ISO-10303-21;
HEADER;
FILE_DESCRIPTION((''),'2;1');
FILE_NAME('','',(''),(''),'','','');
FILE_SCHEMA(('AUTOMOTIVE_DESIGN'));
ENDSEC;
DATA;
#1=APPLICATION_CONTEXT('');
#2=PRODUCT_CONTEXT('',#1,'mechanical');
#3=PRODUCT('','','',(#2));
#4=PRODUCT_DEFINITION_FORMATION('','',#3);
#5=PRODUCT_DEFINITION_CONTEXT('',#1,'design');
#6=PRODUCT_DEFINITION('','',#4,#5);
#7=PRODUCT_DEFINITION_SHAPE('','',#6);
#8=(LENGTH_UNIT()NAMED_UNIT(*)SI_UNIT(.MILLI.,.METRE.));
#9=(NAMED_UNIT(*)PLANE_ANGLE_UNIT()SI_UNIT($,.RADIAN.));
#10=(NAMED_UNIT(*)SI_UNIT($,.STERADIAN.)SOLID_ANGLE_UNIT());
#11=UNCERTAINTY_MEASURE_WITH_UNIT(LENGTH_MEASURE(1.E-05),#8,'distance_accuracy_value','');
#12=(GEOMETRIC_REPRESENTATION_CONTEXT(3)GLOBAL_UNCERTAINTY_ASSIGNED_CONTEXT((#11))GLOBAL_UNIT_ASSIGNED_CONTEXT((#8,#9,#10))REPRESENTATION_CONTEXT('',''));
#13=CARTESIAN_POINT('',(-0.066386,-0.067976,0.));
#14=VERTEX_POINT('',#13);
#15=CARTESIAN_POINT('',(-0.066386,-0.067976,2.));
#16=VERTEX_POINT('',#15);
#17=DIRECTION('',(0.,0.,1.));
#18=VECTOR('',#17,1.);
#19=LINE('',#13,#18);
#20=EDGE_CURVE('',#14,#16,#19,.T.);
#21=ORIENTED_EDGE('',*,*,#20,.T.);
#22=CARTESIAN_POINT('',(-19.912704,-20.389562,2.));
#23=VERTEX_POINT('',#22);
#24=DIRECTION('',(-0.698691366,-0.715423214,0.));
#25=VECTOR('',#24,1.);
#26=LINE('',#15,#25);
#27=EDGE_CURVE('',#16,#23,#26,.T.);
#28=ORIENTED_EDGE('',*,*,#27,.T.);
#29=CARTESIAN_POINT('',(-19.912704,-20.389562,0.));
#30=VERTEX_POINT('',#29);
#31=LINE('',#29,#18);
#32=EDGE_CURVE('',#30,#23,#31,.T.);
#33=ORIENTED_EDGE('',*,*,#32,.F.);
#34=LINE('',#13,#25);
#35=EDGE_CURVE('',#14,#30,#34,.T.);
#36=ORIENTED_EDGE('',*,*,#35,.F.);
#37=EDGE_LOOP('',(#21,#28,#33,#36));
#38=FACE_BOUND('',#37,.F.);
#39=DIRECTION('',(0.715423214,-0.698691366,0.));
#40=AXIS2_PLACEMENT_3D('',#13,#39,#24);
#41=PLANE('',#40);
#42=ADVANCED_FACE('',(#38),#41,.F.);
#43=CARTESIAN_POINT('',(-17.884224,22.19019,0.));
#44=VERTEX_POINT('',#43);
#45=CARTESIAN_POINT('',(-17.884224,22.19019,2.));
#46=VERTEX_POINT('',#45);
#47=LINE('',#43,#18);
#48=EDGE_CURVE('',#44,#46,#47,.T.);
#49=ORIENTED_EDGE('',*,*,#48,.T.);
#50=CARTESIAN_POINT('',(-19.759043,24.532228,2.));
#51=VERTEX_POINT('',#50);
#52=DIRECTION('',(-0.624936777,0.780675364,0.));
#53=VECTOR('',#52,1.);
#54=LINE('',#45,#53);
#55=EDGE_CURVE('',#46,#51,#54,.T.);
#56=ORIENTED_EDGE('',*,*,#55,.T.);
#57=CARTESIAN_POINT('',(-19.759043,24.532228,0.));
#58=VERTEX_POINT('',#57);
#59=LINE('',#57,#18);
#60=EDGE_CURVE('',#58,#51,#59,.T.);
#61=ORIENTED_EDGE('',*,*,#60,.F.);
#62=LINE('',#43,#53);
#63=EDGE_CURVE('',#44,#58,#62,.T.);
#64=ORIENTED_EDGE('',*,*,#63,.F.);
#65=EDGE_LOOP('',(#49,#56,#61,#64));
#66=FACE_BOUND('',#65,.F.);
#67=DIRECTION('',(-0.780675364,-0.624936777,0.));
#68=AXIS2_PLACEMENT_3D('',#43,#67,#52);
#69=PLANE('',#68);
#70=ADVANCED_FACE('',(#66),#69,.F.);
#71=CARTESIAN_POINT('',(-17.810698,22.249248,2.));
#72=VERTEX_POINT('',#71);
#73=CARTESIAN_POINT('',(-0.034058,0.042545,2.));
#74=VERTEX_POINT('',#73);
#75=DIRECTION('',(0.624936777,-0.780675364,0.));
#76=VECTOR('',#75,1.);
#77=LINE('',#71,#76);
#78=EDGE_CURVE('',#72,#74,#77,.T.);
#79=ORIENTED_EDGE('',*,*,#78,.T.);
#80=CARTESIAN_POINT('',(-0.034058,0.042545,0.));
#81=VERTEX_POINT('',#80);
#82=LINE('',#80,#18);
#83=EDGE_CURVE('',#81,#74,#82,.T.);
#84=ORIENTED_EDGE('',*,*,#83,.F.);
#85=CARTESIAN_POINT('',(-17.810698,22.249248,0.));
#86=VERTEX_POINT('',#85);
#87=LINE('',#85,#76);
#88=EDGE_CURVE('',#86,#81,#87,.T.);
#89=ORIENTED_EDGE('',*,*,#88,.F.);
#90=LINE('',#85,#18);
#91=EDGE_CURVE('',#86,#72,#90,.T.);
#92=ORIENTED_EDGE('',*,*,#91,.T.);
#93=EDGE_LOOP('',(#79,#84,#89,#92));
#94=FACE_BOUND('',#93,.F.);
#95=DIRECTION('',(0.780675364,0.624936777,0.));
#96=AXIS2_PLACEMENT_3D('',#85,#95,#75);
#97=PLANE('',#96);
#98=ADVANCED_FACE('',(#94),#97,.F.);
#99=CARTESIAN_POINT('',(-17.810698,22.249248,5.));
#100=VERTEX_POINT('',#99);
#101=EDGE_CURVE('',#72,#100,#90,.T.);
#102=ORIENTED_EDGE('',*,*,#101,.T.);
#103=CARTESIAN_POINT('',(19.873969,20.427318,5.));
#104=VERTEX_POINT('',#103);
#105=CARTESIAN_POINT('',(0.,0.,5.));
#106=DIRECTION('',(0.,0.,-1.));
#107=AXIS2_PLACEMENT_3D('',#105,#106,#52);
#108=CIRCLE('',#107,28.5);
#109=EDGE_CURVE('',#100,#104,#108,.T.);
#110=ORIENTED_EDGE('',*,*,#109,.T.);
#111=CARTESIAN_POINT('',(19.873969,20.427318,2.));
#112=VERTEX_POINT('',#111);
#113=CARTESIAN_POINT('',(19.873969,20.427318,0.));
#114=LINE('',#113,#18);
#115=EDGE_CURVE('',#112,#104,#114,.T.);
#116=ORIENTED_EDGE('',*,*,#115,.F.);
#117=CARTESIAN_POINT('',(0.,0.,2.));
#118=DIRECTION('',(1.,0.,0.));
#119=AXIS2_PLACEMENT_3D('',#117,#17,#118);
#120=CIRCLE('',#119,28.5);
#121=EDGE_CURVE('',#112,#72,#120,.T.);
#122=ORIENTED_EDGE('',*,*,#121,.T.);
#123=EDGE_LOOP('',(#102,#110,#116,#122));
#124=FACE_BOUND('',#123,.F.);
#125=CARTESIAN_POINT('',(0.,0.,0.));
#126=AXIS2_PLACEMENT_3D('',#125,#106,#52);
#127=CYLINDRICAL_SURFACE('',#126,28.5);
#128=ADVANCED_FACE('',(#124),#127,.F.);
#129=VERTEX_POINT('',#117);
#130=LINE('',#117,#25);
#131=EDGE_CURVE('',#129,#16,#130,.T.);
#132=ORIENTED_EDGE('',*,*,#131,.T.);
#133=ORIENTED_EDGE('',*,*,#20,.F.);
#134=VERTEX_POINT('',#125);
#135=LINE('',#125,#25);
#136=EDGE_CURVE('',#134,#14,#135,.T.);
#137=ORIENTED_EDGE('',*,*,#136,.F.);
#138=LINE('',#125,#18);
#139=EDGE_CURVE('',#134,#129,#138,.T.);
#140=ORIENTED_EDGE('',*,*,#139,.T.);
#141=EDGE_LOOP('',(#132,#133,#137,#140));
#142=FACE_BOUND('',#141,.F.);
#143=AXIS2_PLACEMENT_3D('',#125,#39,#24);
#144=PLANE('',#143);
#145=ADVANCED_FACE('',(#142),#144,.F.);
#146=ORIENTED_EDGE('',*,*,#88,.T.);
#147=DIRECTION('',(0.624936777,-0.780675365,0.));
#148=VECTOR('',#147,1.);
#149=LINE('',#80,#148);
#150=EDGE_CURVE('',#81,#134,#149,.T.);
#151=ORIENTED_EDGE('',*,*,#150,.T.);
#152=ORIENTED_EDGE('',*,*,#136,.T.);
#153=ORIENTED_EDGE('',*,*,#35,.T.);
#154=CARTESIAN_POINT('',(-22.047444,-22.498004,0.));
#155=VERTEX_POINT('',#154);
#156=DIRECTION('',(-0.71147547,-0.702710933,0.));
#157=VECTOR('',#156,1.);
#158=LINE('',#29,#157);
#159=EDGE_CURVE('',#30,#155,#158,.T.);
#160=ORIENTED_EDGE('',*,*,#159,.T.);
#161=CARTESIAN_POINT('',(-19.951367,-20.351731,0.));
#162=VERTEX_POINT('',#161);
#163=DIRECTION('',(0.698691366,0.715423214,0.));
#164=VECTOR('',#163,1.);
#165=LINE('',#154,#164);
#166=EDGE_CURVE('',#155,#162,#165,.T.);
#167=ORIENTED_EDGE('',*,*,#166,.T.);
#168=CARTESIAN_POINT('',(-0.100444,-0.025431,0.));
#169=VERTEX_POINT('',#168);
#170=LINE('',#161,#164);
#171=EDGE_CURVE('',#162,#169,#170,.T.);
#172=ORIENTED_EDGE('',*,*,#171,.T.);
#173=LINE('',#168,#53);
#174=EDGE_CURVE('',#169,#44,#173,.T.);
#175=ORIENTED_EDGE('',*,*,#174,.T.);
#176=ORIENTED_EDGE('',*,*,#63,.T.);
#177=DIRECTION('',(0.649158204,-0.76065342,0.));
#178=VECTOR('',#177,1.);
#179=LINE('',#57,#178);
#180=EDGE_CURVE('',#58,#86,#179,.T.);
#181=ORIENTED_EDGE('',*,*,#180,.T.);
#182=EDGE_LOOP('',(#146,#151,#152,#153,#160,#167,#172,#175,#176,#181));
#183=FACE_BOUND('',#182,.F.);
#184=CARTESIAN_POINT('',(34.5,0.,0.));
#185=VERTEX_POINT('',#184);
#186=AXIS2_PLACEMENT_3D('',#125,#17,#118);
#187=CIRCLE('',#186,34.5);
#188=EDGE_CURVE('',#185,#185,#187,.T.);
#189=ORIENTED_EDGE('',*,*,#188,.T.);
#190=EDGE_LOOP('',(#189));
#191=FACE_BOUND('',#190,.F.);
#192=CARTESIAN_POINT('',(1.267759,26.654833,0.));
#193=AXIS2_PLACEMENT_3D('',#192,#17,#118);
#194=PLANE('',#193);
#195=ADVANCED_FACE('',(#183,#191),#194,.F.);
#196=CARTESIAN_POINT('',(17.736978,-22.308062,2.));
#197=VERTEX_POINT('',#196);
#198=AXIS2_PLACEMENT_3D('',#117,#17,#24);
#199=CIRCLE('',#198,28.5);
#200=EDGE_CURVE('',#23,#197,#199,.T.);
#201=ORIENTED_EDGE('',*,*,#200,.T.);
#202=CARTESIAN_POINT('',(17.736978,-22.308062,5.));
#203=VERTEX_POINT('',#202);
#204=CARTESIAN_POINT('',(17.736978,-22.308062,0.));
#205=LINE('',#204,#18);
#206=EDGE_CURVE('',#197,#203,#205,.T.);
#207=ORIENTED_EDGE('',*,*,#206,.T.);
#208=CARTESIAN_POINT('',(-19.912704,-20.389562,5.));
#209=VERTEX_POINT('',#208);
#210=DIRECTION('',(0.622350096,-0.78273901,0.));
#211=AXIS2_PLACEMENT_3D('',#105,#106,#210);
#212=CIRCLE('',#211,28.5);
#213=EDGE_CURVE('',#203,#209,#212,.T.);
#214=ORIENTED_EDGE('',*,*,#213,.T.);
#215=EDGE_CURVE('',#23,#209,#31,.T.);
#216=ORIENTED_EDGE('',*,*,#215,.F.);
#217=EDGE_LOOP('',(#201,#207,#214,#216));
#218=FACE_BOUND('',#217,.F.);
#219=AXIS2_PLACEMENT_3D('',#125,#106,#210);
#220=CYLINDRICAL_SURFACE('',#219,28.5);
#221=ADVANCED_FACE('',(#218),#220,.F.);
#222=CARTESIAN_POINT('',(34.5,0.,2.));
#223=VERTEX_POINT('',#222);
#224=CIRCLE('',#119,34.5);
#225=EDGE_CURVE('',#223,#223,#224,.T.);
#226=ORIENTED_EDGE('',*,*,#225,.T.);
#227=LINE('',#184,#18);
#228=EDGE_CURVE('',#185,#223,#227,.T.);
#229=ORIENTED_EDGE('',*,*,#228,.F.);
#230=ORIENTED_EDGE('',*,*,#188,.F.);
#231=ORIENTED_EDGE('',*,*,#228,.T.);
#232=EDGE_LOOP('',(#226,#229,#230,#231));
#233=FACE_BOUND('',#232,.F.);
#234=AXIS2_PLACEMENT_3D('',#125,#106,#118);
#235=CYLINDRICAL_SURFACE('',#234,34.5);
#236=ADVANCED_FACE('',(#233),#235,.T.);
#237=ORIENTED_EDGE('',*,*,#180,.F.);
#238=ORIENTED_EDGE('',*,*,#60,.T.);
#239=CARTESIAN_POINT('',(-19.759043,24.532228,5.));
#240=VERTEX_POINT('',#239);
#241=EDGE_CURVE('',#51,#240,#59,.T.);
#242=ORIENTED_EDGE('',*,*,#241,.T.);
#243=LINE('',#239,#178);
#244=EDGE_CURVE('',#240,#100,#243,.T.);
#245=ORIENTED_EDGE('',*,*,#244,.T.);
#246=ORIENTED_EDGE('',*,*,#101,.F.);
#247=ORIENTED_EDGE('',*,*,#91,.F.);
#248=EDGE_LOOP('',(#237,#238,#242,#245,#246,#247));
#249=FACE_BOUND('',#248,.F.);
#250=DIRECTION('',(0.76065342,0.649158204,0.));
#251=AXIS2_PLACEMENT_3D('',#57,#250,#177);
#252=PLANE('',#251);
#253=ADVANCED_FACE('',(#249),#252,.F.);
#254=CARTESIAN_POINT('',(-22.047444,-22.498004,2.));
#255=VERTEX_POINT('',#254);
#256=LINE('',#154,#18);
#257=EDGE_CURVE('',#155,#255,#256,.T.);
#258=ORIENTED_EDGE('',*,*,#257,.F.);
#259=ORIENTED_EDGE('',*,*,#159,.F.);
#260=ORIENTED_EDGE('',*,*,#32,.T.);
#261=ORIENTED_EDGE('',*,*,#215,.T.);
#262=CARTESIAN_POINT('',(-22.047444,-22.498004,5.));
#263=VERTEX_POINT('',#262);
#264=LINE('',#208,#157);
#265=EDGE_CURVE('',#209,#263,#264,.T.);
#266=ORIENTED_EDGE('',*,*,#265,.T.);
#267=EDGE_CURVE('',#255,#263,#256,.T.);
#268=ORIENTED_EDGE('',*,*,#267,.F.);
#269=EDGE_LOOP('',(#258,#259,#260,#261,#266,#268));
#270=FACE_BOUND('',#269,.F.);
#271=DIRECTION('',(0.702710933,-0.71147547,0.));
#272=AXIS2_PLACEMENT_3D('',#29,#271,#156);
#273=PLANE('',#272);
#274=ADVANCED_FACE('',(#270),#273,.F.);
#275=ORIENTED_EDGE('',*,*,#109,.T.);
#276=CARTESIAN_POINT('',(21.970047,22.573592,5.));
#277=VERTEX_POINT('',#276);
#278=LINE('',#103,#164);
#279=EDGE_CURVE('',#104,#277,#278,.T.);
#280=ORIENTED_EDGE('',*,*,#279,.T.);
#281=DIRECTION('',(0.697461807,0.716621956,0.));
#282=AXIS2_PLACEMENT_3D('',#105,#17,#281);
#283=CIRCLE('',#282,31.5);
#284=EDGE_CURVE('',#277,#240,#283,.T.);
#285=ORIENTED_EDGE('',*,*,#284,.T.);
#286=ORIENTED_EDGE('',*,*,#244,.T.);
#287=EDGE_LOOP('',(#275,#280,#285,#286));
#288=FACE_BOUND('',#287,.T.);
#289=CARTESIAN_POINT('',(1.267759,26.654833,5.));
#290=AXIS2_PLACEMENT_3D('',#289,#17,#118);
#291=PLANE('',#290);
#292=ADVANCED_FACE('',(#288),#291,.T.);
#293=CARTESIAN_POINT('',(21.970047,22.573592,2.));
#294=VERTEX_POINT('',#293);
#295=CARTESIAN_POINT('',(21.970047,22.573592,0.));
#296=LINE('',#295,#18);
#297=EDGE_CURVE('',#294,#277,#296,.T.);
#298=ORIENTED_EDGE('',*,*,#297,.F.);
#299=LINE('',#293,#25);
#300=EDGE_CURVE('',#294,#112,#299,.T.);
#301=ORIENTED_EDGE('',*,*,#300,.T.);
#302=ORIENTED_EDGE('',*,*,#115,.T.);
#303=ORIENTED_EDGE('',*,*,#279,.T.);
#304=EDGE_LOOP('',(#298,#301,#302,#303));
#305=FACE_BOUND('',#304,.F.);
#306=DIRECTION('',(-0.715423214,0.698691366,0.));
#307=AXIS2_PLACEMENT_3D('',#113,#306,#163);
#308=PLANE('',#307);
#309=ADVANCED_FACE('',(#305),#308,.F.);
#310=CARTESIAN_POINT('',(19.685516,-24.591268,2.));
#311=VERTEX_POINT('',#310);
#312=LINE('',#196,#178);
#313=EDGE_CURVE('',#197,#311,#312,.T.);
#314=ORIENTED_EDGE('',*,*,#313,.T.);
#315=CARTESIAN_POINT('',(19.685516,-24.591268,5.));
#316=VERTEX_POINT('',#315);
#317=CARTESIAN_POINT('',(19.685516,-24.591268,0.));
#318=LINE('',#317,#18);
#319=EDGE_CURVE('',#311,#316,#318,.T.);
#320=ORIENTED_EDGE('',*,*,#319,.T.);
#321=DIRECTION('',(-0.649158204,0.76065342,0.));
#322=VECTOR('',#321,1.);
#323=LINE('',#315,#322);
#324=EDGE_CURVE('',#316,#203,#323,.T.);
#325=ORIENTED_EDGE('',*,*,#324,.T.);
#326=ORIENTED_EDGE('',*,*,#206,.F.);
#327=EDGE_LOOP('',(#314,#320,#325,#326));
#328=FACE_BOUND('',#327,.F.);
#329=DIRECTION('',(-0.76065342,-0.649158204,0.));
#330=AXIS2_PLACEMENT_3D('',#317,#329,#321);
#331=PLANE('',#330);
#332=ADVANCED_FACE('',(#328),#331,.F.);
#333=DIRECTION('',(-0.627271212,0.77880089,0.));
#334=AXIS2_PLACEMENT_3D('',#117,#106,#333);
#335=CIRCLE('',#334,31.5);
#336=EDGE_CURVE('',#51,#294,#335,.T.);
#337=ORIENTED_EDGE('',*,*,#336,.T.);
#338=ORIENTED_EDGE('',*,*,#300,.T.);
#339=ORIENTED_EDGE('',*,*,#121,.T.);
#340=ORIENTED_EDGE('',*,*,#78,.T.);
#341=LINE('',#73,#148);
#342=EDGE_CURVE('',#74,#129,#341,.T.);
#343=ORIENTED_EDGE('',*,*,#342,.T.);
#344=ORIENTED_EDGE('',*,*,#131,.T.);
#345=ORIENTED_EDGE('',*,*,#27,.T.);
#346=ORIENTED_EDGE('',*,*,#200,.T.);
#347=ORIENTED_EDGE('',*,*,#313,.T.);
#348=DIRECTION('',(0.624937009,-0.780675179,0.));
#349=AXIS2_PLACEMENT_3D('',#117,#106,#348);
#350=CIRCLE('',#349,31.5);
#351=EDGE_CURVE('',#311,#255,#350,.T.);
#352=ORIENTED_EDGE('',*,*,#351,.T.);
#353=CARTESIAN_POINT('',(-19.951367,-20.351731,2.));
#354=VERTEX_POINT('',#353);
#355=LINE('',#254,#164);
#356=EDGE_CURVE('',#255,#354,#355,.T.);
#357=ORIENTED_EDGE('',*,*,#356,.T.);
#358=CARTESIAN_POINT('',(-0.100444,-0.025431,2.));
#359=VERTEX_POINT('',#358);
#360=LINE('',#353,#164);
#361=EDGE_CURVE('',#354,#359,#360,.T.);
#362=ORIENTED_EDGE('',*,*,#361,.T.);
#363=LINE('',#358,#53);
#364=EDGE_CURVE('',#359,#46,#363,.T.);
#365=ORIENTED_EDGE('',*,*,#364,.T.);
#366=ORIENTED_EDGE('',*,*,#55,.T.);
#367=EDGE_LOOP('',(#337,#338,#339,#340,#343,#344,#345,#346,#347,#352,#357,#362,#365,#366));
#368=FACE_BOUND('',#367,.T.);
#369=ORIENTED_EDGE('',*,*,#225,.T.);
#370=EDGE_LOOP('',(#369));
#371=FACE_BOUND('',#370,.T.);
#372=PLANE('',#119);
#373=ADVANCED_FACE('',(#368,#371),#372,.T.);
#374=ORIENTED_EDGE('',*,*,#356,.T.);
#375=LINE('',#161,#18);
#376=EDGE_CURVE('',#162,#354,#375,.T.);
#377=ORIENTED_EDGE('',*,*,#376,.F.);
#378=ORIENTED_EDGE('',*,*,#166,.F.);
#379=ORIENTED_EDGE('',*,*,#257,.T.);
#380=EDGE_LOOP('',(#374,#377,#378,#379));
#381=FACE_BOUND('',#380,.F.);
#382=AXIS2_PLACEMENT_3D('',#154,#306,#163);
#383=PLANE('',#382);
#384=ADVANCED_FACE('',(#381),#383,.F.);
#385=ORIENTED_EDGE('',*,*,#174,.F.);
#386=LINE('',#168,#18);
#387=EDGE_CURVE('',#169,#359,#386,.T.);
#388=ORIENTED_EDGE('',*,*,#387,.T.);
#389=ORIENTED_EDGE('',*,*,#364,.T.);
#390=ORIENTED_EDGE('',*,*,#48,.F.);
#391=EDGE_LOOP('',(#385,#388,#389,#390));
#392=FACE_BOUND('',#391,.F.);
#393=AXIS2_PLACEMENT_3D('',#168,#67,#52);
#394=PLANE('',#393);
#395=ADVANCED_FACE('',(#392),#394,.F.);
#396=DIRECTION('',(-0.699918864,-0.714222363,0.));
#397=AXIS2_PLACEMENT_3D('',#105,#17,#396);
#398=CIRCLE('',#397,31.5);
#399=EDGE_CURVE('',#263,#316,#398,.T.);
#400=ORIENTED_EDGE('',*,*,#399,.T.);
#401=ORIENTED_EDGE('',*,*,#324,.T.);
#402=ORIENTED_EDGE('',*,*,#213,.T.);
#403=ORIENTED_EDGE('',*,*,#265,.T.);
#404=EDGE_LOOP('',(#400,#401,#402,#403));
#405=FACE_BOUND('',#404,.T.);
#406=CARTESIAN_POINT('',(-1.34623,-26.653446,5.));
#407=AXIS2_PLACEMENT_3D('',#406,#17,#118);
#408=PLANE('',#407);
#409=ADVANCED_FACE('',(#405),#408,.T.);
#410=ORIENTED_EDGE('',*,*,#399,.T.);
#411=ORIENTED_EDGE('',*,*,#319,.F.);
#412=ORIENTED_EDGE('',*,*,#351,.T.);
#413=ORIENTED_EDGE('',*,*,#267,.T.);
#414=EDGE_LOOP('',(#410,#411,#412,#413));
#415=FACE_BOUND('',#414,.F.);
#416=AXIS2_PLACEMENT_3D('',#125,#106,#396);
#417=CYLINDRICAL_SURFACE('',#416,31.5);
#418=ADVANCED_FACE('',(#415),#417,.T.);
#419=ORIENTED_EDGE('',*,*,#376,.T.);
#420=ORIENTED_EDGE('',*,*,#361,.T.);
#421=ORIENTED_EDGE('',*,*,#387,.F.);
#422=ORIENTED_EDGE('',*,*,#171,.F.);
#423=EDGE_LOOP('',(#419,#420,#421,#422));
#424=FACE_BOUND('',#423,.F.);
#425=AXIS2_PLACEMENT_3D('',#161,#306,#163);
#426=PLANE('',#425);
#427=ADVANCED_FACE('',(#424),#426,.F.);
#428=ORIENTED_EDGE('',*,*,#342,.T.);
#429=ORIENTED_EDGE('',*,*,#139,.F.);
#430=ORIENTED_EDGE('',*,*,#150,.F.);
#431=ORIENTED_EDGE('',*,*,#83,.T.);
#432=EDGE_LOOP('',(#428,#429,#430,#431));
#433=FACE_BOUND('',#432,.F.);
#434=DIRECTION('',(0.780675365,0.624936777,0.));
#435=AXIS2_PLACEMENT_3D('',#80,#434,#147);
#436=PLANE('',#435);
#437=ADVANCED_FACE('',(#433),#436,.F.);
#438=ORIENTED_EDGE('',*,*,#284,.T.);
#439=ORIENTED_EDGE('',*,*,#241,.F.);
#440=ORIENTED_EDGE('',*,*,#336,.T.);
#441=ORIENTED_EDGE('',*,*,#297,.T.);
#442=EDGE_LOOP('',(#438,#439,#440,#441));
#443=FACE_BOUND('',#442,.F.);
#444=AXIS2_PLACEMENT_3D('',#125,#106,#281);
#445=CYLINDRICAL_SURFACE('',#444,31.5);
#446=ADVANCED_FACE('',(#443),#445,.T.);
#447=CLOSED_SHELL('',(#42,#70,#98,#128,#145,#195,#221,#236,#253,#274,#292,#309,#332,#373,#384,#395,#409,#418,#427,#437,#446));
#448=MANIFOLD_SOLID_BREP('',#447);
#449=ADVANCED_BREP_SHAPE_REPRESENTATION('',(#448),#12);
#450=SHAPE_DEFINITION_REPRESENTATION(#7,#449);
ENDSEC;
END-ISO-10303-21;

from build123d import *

# Parameters (mm, degrees)
F0_R     = 34.5
F1_DEPTH = 2
F2_DEPTH = 5


with BuildPart() as f1:
    # F0 (on Top) → F1 (new body)
    with BuildSketch(Plane.XY):
        Circle(F0_R)
        with BuildLine():
            ThreePointArc((21.9700469185, 22.573591615), (29.0198766187, 12.2513983297), (31.5, 0))
            ThreePointArc((31.5, 0), (28.3931659642, -13.6410456537), (19.685515776, -24.5912681379))
            ThreePointArc((19.685515776, -24.5912681379), (-1.5780097398, -31.46044954), (-22.0474442238, -22.498004427))
            ThreePointArc((-22.0474442238, -22.498004427), (-31.4627762399, 1.5309184432), (-19.7590431706, 24.5322280477))
            ThreePointArc((-19.7590431706, 24.5322280477), (1.4768881346, 31.4653587527), (21.9700469185, 22.573591615))
        make_face(mode=Mode.SUBTRACT)
        with BuildLine():
            Line((-17.8842235523, 22.1901903537), (-19.7590431706, 24.5322280477))
            ThreePointArc((-19.7590431706, 24.5322280477), (-31.4627762399, 1.5309184432), (-22.0474442238, -22.498004427))
            Line((-22.0474442238, -22.498004427), (-19.9513667108, -20.3517312868))
            ThreePointArc((-19.9513667108, -20.3517312868), (-28.466414366, 1.3832039418), (-17.8842235523, 22.1901903537))
        make_face()
        with BuildLine():
            Line((-19.9513667108, -20.3517312868), (-0.1004441037, -0.0254305007))
            Line((-0.1004441037, -0.0254305007), (-17.8842235523, 22.1901903537))
            ThreePointArc((-17.8842235523, 22.1901903537), (-28.466414366, 1.3832039418), (-19.9513667108, -20.3517312868))
        make_face()
        with BuildLine():
            Line((-17.8106981504, 22.2492478838), (-0.0340579507, 0.0425454287))
            Line((-0.0340579507, 0.0425454287), (19.8739694055, 20.4273184747))
            ThreePointArc((19.8739694055, 20.4273184747), (1.3762735051, 28.4667502753), (-17.8106981504, 22.2492478838))
        make_face()
        with BuildLine():
            Line((-0.0340579507, 0.0425454287), (0, 0))
            Line((0, 0), (28.5, 0))
            ThreePointArc((28.5, 0), (26.2550769191, 11.0869714517), (19.8739694055, 20.4273184747))
            Line((19.8739694055, 20.4273184747), (-0.0340579507, 0.0425454287))
        make_face()
        with BuildLine():
            Line((28.5, 0), (0, 0))
            Line((0, 0), (-0.066386153, -0.0679759294))
            Line((-0.066386153, -0.0679759294), (17.7369777294, -22.3080617945))
            ThreePointArc((17.7369777294, -22.3080617945), (25.6685981823, -12.3843880493), (28.5, 0))
        make_face()
        with BuildLine():
            Line((17.7369777294, -22.3080617945), (-0.066386153, -0.0679759294))
            Line((-0.066386153, -0.0679759294), (-19.9127039236, -20.3895616051))
            ThreePointArc((-19.9127039236, -20.3895616051), (-1.4503816264, -28.4630706906), (17.7369777294, -22.3080617945))
        make_face()
        with BuildLine():
            Line((31.5, 0), (28.5, 0))
            ThreePointArc((28.5, 0), (25.6685981823, -12.3843880493), (17.7369777294, -22.3080617945))
            Line((17.7369777294, -22.3080617945), (19.685515776, -24.5912681379))
            ThreePointArc((19.685515776, -24.5912681379), (28.3931659642, -13.6410456537), (31.5, 0))
        make_face()
        with BuildLine():
            ThreePointArc((19.8739694055, 20.4273184747), (26.2550769191, 11.0869714517), (28.5, 0))
            Line((28.5, 0), (31.5, 0))
            ThreePointArc((31.5, 0), (29.0198766187, 12.2513983297), (21.9700469185, 22.573591615))
            Line((21.9700469185, 22.573591615), (19.8739694055, 20.4273184747))
        make_face()
    extrude(amount=F1_DEPTH)

    # F0 (on Top) → F2 (join)
    with BuildSketch(Plane.XY):
        with BuildLine():
            ThreePointArc((-17.8106981504, 22.2492478838), (1.3762735051, 28.4667502753), (19.8739694055, 20.4273184747))
            Line((19.8739694055, 20.4273184747), (21.9700469185, 22.573591615))
            ThreePointArc((21.9700469185, 22.573591615), (1.4768881346, 31.4653587527), (-19.7590431706, 24.5322280477))
            Line((-19.7590431706, 24.5322280477), (-17.8106981504, 22.2492478838))
        make_face()
        with BuildLine():
            Line((19.685515776, -24.5912681379), (17.7369777294, -22.3080617945))
            ThreePointArc((17.7369777294, -22.3080617945), (-1.4503816264, -28.4630706906), (-19.9127039236, -20.3895616051))
            Line((-19.9127039236, -20.3895616051), (-22.0474442238, -22.498004427))
            ThreePointArc((-22.0474442238, -22.498004427), (-1.5780097398, -31.46044954), (19.685515776, -24.5912681379))
        make_face()
    extrude(amount=F2_DEPTH)


solid = f1.part
